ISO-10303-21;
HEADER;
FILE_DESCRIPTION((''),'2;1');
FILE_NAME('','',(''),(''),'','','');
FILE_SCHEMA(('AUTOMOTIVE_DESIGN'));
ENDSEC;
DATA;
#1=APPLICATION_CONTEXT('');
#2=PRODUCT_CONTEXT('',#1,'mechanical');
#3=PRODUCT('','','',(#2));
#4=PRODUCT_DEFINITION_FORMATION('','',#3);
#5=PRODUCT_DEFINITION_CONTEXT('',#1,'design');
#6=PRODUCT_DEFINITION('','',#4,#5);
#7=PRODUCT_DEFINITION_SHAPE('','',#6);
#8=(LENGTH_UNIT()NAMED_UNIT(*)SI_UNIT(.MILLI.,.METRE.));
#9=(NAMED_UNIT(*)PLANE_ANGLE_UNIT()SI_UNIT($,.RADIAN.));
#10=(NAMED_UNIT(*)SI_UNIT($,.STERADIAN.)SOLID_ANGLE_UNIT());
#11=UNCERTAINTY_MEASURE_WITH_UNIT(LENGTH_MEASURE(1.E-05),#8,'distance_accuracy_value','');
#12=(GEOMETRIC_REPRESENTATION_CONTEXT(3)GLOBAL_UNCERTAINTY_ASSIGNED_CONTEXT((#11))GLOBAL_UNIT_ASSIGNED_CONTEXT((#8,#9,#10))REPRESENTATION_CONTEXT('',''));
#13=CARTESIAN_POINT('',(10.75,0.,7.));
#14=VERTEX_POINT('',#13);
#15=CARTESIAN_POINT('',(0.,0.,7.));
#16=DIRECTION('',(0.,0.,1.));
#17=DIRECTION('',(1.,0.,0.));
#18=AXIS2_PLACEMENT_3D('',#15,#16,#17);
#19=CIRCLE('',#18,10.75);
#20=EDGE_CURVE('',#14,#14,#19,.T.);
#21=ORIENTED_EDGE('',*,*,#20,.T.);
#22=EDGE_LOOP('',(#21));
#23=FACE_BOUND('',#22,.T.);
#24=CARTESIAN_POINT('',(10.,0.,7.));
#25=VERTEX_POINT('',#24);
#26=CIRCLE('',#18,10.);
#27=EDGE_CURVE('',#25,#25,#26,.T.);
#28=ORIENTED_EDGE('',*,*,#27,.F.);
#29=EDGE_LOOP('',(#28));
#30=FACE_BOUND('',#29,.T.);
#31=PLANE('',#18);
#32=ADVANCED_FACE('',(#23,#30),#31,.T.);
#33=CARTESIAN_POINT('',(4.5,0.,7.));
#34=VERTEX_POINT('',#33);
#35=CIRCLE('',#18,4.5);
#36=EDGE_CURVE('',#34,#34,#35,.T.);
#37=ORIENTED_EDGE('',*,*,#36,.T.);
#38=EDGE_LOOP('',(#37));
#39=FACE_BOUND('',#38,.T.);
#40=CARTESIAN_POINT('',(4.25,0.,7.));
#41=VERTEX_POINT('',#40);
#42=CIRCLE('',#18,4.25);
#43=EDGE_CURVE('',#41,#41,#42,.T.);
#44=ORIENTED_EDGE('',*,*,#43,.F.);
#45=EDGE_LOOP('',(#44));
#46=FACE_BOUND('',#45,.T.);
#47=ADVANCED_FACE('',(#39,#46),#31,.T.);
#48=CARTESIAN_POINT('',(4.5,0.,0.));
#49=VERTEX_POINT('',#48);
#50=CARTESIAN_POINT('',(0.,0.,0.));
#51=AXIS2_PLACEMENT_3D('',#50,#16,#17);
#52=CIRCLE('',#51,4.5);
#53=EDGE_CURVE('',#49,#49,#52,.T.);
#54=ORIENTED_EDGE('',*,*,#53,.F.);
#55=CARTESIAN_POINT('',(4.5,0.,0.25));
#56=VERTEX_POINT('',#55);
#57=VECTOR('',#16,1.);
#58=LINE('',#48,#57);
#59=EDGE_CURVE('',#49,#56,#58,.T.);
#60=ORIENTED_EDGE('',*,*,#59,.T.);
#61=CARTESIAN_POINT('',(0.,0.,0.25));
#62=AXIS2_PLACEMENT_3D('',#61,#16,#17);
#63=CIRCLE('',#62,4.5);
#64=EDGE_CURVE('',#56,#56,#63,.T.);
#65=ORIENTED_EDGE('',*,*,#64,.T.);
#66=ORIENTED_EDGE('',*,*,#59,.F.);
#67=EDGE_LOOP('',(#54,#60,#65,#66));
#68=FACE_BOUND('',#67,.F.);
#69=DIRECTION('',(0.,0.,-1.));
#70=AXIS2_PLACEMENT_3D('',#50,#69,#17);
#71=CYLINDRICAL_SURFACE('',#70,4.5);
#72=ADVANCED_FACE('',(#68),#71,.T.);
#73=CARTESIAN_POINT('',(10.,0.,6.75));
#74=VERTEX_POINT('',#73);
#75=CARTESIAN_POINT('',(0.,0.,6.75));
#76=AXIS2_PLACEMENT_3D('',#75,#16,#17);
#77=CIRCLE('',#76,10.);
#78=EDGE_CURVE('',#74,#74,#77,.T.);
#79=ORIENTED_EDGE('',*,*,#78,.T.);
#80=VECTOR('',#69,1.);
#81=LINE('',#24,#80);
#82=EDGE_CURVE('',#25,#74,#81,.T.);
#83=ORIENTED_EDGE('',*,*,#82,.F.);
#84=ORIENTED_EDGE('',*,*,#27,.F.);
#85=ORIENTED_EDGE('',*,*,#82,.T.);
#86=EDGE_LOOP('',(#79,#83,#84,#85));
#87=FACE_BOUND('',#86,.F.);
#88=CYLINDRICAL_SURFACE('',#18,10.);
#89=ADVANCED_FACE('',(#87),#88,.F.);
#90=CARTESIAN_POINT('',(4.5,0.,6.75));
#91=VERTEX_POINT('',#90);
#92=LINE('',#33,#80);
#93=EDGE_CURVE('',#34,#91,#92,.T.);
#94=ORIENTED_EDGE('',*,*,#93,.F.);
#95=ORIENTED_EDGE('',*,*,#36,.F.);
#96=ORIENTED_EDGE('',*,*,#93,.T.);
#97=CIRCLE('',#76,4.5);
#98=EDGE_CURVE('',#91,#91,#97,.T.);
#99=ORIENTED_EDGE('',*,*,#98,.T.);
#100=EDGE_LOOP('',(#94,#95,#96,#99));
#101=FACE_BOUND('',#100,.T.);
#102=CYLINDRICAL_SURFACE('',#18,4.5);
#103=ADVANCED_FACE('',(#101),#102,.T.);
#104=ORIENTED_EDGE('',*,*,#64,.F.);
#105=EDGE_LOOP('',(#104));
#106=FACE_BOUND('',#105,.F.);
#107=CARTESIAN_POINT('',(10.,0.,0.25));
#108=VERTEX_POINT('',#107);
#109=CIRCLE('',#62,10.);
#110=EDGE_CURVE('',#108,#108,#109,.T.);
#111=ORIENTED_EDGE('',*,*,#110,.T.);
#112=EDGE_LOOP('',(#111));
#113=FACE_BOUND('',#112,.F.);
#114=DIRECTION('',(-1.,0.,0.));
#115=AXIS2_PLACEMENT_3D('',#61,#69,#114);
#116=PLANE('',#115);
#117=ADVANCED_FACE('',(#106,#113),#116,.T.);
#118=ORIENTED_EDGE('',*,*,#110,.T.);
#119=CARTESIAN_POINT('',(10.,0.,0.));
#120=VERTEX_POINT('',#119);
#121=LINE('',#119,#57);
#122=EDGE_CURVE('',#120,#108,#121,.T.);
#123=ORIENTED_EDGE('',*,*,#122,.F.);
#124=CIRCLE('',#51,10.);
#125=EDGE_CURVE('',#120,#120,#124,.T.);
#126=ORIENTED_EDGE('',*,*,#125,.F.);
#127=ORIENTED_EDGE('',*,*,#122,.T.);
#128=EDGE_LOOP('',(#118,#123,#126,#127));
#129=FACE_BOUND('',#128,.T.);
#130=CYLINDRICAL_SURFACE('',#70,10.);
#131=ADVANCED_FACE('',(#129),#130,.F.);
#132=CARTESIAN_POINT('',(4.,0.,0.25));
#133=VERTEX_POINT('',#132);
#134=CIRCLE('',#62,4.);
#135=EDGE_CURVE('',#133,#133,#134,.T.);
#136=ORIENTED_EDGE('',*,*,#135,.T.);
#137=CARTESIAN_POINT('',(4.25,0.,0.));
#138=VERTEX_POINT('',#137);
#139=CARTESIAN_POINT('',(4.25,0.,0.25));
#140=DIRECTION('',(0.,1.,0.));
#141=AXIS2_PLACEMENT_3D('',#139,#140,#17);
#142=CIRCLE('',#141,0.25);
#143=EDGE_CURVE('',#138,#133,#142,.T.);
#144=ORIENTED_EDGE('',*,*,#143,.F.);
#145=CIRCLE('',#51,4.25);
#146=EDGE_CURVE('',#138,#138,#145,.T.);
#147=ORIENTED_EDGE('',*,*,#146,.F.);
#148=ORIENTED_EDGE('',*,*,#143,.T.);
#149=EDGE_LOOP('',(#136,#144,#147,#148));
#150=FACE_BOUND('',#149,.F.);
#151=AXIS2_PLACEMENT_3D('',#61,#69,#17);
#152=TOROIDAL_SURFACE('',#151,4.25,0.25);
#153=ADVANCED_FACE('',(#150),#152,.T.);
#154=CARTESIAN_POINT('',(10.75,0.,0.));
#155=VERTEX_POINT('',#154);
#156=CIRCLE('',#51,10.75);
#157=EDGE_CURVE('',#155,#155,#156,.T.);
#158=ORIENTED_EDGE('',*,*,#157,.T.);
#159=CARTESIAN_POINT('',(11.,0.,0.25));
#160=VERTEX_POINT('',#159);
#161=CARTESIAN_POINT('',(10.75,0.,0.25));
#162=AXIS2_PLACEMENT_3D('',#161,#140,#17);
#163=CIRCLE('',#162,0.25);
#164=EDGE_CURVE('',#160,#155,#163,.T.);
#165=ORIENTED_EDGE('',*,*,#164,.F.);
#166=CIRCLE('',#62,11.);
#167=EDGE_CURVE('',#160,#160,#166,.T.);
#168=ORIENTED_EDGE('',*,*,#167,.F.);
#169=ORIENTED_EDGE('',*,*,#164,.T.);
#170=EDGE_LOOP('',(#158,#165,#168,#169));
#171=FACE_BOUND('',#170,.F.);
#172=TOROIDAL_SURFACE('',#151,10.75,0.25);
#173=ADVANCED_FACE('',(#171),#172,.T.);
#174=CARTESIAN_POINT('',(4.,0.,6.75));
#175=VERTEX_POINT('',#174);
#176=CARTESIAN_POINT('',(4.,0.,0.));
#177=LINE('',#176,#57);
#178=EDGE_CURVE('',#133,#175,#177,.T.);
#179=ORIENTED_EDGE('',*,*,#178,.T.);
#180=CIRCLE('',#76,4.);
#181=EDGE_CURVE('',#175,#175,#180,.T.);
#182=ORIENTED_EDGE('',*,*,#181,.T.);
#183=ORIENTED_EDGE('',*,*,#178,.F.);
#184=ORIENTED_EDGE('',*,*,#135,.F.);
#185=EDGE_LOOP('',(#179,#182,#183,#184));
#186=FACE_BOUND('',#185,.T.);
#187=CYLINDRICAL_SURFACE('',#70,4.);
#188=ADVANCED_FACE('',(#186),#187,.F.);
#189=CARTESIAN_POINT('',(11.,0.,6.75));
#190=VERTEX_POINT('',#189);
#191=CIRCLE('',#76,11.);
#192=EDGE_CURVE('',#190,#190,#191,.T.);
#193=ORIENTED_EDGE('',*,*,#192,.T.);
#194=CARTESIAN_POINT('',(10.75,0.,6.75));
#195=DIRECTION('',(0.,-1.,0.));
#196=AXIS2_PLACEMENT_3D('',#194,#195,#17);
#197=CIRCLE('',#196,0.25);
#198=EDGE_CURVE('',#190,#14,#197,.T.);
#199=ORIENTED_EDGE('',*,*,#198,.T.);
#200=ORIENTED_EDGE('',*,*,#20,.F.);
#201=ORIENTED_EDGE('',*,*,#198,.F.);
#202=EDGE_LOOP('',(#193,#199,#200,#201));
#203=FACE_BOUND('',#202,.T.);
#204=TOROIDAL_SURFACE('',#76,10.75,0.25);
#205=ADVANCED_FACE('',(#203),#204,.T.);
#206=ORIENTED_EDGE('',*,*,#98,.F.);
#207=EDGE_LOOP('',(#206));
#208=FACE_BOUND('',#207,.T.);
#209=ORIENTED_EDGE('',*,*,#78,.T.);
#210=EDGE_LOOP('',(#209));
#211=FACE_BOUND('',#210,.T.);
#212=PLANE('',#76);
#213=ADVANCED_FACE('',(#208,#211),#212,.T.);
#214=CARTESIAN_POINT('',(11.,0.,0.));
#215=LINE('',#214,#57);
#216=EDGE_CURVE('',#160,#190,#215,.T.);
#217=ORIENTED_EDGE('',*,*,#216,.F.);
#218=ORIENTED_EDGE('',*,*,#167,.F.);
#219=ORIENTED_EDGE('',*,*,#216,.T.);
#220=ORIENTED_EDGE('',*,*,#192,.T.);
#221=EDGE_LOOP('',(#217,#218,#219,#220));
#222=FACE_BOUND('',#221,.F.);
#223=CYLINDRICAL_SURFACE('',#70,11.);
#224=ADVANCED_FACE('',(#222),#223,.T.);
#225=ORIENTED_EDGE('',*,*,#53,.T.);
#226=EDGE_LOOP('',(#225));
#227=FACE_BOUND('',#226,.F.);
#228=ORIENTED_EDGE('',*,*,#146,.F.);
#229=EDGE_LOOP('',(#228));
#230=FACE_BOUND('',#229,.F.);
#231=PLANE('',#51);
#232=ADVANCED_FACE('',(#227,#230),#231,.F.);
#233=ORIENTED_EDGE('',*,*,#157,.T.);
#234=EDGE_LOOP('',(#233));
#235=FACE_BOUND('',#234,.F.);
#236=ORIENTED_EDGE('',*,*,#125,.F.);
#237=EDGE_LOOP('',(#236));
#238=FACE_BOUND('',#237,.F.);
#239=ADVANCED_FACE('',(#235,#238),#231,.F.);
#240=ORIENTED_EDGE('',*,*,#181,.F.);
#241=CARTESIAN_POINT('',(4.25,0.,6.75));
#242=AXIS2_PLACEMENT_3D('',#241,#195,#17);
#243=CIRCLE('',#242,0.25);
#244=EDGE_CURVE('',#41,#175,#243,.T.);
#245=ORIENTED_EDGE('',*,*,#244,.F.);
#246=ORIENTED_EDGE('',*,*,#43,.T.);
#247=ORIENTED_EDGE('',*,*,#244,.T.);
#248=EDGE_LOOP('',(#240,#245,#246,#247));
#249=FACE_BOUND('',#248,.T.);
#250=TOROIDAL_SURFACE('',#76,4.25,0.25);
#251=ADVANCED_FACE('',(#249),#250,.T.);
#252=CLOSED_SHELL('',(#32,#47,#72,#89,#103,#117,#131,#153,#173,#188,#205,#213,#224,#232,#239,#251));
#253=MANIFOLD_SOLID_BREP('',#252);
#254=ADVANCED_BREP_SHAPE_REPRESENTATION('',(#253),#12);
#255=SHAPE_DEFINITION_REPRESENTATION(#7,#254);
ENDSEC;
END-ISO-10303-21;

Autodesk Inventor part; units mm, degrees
ref_plane "YZ Plane" through (0, 0, 0) normal (1, 0, 0) x (0, 1, 0)
ref_plane "XZ Plane" through (0, 0, 0) normal (0, 1, 0) x (-1, 0, 0)
sketch "Sketch1" plane through (0, 0, 0) normal (0, 0, 1) x (1, 0, 0)
  circle A0 centre (0, 0) radius 4
  circle A1 centre (0, 0) radius 11
  dimension "d0" = 8
  dimension "d1" = 22
extrude "Extrusion1" add sketch "Sketch1" along normal blind 7
sketch "Sketch2" plane through (0, 0, 7) normal (0, 0, 1) x (1, 0, 0)
  circle A0 centre (0, 0) radius 4.5
  circle A1 centre (0, 0) radius 10
  dimension "d4" = 9
  dimension "d5" = 20
extrude "Extrusion2" cut sketch "Sketch2" against normal blind 0.25
ref_plane "Work Plane1" through (0, 0, 3.5) normal (0, 0, 1) x (1, 0, 0)
mirror "Mirror1" about plane through (0, 0, 3.5) normal (0, 0, 1) of "Extrusion2"
fillet "Fillet1" radius 0.25 4 edges at (-11, 0, 7) (-11, 0, 0) (-4, 0, 0) (-4, 0, 7)
properties part number "Ball bearing"
